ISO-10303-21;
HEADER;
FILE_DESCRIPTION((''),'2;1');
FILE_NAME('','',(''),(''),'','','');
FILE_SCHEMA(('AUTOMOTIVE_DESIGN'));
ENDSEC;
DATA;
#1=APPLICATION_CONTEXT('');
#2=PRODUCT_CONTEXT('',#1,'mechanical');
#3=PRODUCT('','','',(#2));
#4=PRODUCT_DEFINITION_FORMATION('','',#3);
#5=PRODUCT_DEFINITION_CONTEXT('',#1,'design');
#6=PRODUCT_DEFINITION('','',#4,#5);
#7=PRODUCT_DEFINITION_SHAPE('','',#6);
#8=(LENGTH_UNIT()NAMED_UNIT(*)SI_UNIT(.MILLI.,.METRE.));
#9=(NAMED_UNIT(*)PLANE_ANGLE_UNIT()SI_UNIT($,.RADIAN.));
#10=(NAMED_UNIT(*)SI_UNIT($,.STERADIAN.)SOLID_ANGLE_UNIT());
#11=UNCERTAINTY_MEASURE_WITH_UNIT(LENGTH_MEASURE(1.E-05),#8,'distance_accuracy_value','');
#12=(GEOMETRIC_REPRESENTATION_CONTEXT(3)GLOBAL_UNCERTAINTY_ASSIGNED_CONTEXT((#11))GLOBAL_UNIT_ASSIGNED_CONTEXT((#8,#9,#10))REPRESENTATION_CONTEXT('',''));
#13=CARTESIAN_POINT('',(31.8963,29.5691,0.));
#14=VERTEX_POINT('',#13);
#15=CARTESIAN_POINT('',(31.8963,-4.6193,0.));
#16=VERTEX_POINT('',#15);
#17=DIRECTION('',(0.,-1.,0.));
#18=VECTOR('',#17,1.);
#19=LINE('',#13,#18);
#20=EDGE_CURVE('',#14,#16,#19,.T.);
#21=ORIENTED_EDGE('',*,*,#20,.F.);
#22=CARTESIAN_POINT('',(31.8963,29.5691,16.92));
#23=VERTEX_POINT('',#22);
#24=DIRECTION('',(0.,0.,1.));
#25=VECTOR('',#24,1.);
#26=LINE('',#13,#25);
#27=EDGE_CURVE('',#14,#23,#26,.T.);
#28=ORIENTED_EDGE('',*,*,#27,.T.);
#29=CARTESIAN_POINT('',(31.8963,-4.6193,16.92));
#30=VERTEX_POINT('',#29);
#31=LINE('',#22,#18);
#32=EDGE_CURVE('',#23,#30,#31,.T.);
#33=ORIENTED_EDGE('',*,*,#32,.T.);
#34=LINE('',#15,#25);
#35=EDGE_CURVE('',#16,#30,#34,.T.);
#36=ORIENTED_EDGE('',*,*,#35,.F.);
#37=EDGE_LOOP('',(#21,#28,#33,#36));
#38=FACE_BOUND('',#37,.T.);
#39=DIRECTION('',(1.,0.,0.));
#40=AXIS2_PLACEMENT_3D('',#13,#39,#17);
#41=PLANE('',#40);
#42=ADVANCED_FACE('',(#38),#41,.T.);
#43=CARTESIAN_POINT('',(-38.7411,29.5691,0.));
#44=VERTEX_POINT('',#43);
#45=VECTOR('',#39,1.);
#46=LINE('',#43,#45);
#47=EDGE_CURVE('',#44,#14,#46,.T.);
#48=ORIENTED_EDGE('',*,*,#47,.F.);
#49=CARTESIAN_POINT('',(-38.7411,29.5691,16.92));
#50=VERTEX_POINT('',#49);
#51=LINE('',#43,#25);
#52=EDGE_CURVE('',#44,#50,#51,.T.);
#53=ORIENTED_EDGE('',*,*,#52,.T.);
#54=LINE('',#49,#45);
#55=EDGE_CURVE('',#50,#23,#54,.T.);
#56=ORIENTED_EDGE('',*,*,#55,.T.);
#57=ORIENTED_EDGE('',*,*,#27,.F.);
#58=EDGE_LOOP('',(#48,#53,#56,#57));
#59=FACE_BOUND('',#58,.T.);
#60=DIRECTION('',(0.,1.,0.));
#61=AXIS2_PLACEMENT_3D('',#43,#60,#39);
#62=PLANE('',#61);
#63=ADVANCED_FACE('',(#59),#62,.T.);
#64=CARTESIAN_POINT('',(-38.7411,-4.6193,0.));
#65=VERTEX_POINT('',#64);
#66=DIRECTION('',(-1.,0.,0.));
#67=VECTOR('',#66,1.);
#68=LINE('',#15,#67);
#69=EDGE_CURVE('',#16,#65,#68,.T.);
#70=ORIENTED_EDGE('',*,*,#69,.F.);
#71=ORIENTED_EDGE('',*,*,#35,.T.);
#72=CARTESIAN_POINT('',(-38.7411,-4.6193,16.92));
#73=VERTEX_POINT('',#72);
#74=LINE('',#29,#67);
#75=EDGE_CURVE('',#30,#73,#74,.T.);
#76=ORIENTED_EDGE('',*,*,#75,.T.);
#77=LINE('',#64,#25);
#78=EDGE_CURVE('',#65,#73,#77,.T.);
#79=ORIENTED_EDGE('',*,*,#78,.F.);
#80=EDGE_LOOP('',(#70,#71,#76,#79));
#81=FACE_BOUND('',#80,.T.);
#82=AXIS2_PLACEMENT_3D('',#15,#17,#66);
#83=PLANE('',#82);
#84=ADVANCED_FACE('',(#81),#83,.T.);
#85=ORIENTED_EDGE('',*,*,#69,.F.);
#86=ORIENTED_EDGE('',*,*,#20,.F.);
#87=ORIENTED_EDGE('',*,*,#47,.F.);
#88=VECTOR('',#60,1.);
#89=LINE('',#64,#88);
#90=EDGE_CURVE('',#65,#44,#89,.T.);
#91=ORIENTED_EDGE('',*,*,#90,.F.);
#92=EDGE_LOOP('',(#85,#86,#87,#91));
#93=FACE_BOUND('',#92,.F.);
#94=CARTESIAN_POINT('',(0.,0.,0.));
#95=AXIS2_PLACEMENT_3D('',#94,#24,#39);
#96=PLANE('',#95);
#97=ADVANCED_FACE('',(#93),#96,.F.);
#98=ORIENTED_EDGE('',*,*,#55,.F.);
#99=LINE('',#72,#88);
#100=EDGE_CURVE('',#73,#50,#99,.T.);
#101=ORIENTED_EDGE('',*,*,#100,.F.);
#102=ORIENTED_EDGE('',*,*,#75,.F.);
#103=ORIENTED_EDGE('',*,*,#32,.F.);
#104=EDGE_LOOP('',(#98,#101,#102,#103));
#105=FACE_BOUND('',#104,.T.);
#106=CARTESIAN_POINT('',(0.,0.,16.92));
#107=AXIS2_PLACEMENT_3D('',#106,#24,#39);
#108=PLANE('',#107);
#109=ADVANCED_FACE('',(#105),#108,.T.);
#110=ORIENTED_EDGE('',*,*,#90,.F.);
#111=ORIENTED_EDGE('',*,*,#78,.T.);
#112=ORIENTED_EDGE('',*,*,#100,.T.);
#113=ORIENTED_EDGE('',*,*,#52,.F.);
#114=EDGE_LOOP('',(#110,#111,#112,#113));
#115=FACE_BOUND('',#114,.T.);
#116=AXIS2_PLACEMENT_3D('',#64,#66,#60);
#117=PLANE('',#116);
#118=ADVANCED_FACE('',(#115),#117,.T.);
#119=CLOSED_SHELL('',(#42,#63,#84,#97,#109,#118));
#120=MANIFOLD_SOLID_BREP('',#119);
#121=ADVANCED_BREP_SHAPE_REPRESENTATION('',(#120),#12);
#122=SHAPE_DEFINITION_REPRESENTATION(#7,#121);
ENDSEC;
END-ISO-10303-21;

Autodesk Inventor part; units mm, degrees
ref_plane "YZ Plane" through (0, 0, 0) normal (1, 0, 0) x (0, 1, 0)
ref_plane "XZ Plane" through (0, 0, 0) normal (0, 1, 0) x (-1, 0, 0)
ref_plane "XY Plane" through (0, 0, 0) normal (0, 0, 1) x (1, 0, 0)
sketch "Sketch1" plane through (0, 0, 0) normal (0, 0, 1) x (1, 0, 0)
  line L0 (-38.7411, 29.5691) -> (31.8963, 29.5691)
  line L1 (31.8963, 29.5691) -> (31.8963, -4.6193)
  line L2 (31.8963, -4.6193) -> (-38.7411, -4.6193)
  line L3 (-38.7411, -4.6193) -> (-38.7411, 29.5691)
  point P0 (0, 0)
  dimension "d0" = 70.6374
  dimension "d1" = 34.1884
extrude "Extrusion1" add sketch "Sketch1" along normal blind 16.92
properties part number "Hew Battery"
